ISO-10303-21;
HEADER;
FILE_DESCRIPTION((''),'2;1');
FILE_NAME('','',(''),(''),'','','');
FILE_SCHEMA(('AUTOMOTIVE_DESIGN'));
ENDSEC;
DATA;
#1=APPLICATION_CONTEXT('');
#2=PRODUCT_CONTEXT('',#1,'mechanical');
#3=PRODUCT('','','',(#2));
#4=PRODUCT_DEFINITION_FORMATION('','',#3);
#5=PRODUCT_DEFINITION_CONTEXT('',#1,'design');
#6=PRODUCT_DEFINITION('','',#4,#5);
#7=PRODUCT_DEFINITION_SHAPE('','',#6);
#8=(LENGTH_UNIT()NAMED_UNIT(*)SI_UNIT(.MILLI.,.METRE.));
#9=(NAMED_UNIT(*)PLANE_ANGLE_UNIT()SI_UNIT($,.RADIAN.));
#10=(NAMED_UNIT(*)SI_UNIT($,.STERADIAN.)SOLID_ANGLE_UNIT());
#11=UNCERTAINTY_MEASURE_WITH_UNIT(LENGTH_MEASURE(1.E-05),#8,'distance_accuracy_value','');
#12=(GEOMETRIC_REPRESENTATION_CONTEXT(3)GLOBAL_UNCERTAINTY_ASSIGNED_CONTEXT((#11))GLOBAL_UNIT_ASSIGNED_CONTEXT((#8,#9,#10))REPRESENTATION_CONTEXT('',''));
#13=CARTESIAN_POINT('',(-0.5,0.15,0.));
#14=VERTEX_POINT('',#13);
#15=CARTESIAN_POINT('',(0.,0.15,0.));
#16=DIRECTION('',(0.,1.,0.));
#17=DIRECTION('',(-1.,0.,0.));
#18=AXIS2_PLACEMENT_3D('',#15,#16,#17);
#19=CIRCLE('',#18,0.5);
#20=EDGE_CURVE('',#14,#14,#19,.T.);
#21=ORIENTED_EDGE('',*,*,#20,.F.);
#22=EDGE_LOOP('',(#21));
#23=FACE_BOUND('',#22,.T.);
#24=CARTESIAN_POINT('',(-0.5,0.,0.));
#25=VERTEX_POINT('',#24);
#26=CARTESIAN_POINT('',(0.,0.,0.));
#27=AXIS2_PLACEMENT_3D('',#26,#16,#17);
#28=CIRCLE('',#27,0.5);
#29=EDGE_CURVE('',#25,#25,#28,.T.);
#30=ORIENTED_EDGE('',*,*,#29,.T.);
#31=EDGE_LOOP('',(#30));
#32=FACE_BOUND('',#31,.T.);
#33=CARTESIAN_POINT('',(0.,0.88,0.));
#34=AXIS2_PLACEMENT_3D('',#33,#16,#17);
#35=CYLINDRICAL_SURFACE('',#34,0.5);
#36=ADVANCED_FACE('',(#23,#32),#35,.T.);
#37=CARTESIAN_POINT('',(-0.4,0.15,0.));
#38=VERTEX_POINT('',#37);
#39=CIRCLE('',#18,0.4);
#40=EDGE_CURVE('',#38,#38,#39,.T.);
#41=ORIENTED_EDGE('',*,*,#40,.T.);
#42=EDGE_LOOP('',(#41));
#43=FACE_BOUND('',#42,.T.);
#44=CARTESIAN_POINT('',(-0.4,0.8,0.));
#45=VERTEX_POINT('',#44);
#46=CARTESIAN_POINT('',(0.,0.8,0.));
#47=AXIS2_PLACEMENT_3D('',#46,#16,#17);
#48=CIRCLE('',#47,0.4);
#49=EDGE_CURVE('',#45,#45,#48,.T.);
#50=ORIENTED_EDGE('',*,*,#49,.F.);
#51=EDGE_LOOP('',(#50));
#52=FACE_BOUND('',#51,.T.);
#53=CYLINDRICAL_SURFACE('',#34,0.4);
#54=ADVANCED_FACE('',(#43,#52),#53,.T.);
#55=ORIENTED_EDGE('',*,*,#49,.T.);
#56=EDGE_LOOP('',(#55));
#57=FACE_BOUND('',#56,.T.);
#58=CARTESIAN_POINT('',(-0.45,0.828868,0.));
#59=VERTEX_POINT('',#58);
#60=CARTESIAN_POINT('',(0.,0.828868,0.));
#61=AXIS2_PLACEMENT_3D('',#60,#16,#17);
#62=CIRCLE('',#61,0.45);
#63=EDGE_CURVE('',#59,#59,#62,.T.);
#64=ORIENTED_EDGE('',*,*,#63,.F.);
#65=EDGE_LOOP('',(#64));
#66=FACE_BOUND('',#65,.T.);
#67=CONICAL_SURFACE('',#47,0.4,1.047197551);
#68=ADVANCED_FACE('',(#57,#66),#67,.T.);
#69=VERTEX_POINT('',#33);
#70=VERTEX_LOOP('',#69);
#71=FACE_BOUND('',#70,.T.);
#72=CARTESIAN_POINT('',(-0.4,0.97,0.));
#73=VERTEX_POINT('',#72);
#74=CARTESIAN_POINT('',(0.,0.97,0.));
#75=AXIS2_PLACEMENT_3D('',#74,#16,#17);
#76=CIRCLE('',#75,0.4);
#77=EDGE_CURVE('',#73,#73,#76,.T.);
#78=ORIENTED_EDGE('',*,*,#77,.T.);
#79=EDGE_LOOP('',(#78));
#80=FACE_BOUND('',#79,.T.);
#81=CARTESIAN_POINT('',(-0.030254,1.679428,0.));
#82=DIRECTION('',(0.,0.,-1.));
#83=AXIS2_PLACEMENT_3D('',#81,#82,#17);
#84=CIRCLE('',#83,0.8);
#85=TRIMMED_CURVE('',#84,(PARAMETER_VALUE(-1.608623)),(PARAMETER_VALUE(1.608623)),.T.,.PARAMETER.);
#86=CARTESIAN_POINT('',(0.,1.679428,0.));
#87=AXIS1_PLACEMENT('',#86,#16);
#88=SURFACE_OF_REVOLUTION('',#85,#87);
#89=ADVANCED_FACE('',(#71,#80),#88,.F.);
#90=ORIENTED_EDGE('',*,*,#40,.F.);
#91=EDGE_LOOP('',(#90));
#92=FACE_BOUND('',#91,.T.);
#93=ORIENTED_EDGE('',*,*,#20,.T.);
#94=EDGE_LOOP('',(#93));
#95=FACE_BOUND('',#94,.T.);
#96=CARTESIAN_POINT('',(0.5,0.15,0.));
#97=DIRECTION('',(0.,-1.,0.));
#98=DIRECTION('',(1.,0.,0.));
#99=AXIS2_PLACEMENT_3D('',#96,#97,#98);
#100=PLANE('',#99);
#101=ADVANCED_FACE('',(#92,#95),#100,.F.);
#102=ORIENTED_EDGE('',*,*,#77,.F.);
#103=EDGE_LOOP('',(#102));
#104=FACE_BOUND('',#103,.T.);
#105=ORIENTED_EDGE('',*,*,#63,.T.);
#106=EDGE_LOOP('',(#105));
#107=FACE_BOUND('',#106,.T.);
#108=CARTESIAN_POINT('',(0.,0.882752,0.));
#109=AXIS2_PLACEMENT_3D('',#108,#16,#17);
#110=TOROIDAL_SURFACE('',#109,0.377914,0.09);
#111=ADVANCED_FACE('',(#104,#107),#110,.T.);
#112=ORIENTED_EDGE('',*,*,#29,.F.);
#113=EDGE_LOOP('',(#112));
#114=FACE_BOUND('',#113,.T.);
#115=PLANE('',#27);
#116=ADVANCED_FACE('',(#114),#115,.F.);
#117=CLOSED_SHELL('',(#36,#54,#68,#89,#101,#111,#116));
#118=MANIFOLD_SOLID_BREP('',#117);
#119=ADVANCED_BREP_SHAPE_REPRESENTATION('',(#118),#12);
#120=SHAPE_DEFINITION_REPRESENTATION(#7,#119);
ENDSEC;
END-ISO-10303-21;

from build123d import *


with BuildPart() as part:
    # Sketch1 → Revolve1 (revolve)
    with BuildSketch(Plane.XY, mode=Mode.PRIVATE) as revolve1_sk:
        with BuildLine():
            Line((0, 0), (0, 0.8))
            Line((0, 0.8), (0, 0.88))
            ThreePointArc((0, 0.88), (0.205863515, 0.898939934), (0.4, 0.97))
            ThreePointArc((0.4, 0.97), (0.462747108, 0.912806691), (0.45, 0.828867513))
            Line((0.45, 0.828867513), (0.4, 0.8))
            Line((0.4, 0.8), (0.4, 0.15))
            Line((0.4, 0.15), (0.5, 0.15))
            Line((0.5, 0.15), (0.5, 0))
            Line((0.5, 0), (0, 0))
        make_face()
    revolve(revolve1_sk.sketch.rotate(Axis((0, 0.88, 0), (0, -1, 0)), 180), axis=Axis((0, 0.88, 0), (0, -1, 0)))


solid = part.part
